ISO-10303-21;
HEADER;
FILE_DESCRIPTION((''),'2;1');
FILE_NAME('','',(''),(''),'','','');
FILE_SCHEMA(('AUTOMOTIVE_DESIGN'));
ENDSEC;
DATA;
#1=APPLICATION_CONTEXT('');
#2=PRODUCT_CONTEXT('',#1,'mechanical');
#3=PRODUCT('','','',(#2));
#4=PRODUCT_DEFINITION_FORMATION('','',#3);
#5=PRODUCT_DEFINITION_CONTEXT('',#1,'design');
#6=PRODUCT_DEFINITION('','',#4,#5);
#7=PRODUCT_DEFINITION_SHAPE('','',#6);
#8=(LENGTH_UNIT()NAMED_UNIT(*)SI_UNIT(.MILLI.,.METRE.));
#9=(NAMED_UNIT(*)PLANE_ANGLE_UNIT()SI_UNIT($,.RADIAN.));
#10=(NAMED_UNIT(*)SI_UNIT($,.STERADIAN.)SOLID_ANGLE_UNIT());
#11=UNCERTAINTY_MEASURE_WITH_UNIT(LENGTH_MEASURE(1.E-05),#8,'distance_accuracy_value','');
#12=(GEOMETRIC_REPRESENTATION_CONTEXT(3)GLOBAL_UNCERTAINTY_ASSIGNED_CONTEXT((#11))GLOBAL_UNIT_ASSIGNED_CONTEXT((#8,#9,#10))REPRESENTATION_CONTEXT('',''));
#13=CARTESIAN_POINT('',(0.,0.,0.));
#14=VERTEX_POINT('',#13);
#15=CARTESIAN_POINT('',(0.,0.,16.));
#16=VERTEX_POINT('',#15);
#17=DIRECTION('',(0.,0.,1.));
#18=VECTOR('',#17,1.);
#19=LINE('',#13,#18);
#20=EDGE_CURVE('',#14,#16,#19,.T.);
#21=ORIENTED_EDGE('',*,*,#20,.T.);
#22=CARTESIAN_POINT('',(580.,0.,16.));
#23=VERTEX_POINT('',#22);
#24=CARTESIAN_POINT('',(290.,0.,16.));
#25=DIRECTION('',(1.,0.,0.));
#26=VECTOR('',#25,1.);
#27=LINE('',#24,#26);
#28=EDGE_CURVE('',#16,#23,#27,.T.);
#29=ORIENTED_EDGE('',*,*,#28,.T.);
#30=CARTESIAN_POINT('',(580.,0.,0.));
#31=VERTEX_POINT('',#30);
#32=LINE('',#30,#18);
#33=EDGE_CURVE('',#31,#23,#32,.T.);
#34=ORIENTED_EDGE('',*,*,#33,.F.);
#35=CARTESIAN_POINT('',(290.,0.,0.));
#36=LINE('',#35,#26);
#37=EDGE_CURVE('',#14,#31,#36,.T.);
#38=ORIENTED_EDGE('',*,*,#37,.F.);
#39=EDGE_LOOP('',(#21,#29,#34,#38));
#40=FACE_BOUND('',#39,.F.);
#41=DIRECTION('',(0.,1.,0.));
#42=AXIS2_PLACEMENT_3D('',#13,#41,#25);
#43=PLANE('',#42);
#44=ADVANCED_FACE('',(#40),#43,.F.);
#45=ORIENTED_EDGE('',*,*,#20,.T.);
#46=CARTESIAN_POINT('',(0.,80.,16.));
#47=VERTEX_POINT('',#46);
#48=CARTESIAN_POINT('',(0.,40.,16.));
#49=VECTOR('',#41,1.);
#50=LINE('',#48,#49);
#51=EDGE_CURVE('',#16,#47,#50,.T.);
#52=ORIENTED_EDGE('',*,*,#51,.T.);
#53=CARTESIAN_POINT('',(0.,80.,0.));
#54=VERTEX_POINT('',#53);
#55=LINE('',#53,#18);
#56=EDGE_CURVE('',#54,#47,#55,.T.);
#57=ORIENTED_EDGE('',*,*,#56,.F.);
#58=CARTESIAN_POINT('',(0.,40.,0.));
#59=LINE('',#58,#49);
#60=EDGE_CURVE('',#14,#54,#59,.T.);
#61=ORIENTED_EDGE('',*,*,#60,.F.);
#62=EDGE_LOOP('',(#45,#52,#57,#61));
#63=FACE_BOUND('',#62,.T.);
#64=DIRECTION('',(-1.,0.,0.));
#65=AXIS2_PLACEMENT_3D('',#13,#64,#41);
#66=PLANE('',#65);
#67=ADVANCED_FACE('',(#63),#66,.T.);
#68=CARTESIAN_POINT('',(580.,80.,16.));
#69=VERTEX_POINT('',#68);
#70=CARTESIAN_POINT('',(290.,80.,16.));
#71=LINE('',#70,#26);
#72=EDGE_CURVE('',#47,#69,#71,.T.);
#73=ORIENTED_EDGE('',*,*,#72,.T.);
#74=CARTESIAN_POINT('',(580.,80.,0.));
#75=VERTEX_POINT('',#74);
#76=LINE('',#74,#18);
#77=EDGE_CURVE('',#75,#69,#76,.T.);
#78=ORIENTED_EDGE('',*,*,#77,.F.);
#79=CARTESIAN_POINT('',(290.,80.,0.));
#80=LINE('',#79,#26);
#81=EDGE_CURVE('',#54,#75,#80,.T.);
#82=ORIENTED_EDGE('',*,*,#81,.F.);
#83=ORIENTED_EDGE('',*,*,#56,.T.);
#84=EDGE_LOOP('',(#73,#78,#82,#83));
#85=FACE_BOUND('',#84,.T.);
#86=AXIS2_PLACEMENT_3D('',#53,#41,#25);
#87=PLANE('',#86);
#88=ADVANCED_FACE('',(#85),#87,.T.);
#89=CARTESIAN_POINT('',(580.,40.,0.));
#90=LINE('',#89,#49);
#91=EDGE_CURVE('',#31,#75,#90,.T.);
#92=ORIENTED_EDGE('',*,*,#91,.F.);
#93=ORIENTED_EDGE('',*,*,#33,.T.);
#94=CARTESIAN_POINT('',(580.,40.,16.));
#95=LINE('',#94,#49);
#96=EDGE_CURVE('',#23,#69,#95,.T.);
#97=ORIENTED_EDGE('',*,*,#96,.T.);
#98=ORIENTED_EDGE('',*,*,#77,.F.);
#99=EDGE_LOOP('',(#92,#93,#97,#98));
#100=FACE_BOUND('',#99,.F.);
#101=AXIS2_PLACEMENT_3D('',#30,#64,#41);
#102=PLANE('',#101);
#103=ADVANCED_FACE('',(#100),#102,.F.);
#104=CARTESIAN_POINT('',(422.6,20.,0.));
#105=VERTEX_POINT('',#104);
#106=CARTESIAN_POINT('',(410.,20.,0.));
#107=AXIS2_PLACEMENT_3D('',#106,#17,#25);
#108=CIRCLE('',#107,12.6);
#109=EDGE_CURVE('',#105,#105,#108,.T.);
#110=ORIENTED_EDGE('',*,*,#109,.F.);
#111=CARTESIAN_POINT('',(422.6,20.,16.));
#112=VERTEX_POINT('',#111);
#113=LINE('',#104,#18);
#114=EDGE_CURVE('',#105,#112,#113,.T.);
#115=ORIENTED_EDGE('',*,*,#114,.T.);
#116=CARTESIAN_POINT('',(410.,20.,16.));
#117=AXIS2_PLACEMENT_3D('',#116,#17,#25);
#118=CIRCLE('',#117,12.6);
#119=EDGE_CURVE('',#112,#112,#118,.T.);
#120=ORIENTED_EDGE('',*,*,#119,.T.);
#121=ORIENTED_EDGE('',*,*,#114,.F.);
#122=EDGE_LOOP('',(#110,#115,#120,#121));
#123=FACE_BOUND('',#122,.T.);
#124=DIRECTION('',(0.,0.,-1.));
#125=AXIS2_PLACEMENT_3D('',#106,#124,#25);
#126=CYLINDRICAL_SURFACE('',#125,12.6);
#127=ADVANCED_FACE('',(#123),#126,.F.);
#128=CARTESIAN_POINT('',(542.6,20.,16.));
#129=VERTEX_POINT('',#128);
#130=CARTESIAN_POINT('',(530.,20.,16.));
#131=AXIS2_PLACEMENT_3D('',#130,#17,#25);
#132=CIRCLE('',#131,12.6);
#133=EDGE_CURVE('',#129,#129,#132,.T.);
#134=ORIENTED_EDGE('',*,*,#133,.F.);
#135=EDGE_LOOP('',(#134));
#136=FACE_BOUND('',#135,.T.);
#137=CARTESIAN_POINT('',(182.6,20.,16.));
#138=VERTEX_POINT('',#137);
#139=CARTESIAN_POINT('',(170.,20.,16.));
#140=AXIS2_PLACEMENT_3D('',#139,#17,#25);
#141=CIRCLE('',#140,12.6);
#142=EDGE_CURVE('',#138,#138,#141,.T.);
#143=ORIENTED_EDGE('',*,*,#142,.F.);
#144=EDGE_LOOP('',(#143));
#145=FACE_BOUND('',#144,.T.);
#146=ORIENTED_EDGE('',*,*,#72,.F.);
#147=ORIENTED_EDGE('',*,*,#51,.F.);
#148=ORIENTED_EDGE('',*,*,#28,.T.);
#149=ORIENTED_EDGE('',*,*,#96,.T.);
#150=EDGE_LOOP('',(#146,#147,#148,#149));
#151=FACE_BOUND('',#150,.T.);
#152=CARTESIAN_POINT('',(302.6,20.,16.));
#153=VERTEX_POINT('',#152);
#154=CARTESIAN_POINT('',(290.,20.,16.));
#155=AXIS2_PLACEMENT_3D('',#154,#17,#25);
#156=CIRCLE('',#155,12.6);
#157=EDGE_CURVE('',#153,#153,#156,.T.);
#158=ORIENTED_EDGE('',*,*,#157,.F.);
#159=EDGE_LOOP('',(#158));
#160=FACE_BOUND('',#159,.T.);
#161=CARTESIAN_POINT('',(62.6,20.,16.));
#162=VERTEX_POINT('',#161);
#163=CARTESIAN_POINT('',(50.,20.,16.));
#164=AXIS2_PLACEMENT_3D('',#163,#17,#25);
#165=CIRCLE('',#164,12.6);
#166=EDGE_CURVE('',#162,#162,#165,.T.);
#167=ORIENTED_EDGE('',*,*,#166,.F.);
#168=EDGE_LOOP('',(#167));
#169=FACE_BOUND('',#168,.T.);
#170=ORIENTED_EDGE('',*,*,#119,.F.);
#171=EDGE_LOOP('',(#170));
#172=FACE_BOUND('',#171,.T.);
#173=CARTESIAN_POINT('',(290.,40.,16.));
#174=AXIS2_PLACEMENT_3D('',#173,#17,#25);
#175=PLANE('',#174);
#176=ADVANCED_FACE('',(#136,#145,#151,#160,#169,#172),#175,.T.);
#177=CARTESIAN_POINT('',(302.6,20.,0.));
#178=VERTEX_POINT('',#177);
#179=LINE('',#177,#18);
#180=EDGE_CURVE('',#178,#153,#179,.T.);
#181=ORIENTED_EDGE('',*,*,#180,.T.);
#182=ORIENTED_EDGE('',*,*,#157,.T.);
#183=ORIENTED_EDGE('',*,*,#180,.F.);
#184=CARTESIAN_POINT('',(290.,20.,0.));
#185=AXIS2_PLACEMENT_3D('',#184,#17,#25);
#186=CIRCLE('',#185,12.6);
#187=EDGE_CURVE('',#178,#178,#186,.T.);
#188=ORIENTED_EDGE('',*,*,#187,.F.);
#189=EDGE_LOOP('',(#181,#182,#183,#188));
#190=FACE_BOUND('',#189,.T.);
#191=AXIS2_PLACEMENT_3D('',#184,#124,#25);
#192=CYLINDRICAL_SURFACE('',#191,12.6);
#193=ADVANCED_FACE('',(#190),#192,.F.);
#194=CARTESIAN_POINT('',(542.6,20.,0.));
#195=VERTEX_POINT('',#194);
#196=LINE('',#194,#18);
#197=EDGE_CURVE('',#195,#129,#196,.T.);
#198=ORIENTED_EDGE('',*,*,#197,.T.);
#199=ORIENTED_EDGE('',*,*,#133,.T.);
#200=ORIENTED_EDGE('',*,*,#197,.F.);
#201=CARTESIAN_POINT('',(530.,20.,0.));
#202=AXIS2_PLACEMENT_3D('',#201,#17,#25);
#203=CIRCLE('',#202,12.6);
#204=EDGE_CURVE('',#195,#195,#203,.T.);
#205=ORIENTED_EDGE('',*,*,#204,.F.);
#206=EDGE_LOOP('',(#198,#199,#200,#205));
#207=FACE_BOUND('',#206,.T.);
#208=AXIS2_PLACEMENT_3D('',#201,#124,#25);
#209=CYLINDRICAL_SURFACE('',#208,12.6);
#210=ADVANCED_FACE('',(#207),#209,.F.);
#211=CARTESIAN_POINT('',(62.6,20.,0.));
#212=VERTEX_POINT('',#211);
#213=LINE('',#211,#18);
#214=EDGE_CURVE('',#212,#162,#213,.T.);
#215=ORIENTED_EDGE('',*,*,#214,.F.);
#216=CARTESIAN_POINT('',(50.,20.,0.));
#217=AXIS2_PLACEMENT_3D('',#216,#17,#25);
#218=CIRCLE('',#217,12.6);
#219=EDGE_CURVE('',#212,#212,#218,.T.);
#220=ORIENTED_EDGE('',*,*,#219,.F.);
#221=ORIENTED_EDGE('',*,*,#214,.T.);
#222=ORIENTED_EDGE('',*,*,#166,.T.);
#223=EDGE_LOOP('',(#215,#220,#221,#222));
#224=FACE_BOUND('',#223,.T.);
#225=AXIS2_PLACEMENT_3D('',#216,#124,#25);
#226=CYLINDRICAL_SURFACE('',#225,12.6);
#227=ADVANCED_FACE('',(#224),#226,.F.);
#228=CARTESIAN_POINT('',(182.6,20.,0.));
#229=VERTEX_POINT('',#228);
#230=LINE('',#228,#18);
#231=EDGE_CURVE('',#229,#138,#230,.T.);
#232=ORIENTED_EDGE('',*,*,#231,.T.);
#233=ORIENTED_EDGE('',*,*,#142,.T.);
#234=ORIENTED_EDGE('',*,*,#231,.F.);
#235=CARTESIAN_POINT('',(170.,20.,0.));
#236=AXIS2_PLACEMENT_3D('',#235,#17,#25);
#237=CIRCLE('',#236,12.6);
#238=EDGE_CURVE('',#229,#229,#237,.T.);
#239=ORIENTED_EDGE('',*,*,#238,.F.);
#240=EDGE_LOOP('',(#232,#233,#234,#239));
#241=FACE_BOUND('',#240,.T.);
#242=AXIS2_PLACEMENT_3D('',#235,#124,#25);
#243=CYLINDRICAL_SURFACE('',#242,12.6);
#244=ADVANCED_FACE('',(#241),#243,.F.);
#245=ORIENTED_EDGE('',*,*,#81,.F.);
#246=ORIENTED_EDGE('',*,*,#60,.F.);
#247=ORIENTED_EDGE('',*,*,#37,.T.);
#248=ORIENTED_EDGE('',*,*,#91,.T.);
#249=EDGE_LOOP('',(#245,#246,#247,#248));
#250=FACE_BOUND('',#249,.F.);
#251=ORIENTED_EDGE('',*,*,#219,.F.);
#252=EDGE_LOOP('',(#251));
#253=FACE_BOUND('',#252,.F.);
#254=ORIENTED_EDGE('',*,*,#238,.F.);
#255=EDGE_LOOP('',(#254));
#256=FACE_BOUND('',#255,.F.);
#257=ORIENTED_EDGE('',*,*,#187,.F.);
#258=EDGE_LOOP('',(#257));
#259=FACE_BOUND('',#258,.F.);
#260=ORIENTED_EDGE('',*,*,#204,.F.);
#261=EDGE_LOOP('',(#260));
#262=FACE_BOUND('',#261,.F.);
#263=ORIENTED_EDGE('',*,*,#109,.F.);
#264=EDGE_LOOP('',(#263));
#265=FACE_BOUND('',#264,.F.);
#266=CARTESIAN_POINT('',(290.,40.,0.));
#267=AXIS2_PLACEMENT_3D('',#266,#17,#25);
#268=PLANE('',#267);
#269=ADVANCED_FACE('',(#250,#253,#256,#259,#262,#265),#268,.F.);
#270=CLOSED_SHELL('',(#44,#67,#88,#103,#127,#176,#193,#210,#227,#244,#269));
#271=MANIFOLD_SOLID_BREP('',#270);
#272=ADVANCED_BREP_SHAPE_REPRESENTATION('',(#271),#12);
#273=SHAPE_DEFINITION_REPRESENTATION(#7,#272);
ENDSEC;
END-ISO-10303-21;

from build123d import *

# Parameters (mm, degrees)
SKETCH1_W           = 580
SKETCH1_H           = 80
SKETCH1_R           = 12.6
BOSS_EXTRUDE1_DEPTH = 16


with BuildPart() as part:
    # Sketch1 → Boss-Extrude1 (new body)
    with BuildSketch(Plane.XY):
        with Locations((290, 40)):
            Rectangle(SKETCH1_W, SKETCH1_H)
        with Locations((50, 20)):
            Circle(SKETCH1_R, mode=Mode.SUBTRACT)
        with Locations((170, 20)):
            Circle(SKETCH1_R, mode=Mode.SUBTRACT)
        with Locations((290, 20)):
            Circle(SKETCH1_R, mode=Mode.SUBTRACT)
        with Locations((410, 20)):
            Circle(SKETCH1_R, mode=Mode.SUBTRACT)
        with Locations((530, 20)):
            Circle(SKETCH1_R, mode=Mode.SUBTRACT)
    extrude(amount=BOSS_EXTRUDE1_DEPTH)


solid = part.part
